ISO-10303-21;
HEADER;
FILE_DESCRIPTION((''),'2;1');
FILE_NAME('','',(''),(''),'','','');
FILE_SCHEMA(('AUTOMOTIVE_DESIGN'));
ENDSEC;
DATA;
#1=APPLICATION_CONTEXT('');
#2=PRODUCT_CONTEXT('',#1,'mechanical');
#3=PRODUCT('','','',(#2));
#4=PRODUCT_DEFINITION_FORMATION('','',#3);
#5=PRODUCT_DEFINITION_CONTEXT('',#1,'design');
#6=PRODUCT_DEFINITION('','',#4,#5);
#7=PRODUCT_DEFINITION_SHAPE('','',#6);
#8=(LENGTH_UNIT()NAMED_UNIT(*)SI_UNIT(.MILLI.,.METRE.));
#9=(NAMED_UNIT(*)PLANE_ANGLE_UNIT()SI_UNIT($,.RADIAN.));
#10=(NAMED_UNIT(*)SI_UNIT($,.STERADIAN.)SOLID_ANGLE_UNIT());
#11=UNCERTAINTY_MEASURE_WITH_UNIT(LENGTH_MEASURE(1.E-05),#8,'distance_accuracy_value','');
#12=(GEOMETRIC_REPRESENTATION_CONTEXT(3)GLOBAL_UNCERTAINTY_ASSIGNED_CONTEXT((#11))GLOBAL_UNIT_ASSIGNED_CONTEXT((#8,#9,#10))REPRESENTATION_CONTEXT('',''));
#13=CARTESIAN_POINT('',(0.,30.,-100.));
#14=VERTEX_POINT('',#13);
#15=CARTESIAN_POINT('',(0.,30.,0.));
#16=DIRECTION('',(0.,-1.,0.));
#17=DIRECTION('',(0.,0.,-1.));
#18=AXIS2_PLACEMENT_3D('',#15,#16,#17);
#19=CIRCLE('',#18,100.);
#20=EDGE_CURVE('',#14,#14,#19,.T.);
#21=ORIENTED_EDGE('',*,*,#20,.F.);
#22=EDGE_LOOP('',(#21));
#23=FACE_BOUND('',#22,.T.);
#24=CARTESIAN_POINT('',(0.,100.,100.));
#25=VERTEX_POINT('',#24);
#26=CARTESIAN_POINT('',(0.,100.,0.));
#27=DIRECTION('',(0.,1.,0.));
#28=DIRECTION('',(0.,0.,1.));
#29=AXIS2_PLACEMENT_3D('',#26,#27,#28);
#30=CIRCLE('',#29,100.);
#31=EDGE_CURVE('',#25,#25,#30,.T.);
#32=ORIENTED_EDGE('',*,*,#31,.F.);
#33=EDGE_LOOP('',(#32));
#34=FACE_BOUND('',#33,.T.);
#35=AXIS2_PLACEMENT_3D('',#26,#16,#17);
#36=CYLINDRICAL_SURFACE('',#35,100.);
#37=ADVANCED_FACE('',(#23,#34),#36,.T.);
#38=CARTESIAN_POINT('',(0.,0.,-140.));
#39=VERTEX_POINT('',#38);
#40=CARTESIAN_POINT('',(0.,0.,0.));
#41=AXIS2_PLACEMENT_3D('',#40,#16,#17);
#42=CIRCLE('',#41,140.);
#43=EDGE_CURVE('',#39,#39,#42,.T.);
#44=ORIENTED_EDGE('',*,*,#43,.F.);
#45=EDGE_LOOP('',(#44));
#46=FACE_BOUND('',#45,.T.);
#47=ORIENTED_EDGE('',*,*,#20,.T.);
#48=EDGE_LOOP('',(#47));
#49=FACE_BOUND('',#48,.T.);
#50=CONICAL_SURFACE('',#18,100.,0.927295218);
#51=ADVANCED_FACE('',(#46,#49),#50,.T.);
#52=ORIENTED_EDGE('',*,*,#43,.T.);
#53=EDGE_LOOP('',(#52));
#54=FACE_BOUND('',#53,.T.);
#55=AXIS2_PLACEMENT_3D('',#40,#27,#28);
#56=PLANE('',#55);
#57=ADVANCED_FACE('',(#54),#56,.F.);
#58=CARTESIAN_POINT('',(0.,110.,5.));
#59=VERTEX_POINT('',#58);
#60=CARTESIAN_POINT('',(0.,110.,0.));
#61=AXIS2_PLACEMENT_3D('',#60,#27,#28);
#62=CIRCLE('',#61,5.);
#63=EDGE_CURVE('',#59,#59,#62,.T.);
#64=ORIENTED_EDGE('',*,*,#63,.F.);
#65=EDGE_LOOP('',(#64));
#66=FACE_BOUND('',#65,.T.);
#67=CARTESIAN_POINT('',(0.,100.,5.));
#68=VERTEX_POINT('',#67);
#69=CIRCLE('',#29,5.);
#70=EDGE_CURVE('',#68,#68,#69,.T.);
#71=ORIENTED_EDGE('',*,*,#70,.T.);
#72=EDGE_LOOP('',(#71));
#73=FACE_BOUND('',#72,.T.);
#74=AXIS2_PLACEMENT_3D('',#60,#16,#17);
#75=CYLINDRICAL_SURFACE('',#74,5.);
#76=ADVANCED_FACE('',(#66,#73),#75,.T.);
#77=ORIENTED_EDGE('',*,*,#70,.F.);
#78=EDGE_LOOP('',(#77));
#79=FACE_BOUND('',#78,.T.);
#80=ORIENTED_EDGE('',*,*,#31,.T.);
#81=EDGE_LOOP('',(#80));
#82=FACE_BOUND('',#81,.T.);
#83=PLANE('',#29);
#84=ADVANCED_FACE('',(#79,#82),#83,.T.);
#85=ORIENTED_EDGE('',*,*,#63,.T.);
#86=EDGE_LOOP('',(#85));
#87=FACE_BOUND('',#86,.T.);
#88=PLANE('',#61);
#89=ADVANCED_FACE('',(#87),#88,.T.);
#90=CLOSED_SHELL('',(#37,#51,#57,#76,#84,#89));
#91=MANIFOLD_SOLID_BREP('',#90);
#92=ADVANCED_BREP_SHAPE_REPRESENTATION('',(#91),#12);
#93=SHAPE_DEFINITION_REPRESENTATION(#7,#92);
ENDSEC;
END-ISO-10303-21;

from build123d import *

# Parameters (mm, degrees)
SKETCH1_R           = 100
BOSS_EXTRUDE1_DEPTH = 100
SKETCH3_R           = 5
BOSS_EXTRUDE2_DEPTH = 10


with BuildPart() as part:
    # Sketch1 → Boss-Extrude1 (new body)
    with BuildSketch(Plane(origin=(0, 0, 0), x_dir=(1, 0, 0), z_dir=(0, 1, 0))):
        Circle(SKETCH1_R)
    extrude(amount=BOSS_EXTRUDE1_DEPTH)

    # Sketch2 → Revolve1 (revolve)
    with BuildSketch(Plane(origin=(0, 0, 0), x_dir=(0, 0, -1), z_dir=(1, 0, 0))):
        Polygon((-100, 0), (-140, 0), (-100, 30), align=None)
    revolve(axis=Axis((0, 0, 0), (0, 1, 0)))

    # Sketch3 → Boss-Extrude2 (add)
    with BuildSketch(Plane(origin=(0, 100, 0), x_dir=(1, 0, 0), z_dir=(0, 1, 0))):
        Circle(SKETCH3_R)
    extrude(amount=BOSS_EXTRUDE2_DEPTH)


solid = part.part
